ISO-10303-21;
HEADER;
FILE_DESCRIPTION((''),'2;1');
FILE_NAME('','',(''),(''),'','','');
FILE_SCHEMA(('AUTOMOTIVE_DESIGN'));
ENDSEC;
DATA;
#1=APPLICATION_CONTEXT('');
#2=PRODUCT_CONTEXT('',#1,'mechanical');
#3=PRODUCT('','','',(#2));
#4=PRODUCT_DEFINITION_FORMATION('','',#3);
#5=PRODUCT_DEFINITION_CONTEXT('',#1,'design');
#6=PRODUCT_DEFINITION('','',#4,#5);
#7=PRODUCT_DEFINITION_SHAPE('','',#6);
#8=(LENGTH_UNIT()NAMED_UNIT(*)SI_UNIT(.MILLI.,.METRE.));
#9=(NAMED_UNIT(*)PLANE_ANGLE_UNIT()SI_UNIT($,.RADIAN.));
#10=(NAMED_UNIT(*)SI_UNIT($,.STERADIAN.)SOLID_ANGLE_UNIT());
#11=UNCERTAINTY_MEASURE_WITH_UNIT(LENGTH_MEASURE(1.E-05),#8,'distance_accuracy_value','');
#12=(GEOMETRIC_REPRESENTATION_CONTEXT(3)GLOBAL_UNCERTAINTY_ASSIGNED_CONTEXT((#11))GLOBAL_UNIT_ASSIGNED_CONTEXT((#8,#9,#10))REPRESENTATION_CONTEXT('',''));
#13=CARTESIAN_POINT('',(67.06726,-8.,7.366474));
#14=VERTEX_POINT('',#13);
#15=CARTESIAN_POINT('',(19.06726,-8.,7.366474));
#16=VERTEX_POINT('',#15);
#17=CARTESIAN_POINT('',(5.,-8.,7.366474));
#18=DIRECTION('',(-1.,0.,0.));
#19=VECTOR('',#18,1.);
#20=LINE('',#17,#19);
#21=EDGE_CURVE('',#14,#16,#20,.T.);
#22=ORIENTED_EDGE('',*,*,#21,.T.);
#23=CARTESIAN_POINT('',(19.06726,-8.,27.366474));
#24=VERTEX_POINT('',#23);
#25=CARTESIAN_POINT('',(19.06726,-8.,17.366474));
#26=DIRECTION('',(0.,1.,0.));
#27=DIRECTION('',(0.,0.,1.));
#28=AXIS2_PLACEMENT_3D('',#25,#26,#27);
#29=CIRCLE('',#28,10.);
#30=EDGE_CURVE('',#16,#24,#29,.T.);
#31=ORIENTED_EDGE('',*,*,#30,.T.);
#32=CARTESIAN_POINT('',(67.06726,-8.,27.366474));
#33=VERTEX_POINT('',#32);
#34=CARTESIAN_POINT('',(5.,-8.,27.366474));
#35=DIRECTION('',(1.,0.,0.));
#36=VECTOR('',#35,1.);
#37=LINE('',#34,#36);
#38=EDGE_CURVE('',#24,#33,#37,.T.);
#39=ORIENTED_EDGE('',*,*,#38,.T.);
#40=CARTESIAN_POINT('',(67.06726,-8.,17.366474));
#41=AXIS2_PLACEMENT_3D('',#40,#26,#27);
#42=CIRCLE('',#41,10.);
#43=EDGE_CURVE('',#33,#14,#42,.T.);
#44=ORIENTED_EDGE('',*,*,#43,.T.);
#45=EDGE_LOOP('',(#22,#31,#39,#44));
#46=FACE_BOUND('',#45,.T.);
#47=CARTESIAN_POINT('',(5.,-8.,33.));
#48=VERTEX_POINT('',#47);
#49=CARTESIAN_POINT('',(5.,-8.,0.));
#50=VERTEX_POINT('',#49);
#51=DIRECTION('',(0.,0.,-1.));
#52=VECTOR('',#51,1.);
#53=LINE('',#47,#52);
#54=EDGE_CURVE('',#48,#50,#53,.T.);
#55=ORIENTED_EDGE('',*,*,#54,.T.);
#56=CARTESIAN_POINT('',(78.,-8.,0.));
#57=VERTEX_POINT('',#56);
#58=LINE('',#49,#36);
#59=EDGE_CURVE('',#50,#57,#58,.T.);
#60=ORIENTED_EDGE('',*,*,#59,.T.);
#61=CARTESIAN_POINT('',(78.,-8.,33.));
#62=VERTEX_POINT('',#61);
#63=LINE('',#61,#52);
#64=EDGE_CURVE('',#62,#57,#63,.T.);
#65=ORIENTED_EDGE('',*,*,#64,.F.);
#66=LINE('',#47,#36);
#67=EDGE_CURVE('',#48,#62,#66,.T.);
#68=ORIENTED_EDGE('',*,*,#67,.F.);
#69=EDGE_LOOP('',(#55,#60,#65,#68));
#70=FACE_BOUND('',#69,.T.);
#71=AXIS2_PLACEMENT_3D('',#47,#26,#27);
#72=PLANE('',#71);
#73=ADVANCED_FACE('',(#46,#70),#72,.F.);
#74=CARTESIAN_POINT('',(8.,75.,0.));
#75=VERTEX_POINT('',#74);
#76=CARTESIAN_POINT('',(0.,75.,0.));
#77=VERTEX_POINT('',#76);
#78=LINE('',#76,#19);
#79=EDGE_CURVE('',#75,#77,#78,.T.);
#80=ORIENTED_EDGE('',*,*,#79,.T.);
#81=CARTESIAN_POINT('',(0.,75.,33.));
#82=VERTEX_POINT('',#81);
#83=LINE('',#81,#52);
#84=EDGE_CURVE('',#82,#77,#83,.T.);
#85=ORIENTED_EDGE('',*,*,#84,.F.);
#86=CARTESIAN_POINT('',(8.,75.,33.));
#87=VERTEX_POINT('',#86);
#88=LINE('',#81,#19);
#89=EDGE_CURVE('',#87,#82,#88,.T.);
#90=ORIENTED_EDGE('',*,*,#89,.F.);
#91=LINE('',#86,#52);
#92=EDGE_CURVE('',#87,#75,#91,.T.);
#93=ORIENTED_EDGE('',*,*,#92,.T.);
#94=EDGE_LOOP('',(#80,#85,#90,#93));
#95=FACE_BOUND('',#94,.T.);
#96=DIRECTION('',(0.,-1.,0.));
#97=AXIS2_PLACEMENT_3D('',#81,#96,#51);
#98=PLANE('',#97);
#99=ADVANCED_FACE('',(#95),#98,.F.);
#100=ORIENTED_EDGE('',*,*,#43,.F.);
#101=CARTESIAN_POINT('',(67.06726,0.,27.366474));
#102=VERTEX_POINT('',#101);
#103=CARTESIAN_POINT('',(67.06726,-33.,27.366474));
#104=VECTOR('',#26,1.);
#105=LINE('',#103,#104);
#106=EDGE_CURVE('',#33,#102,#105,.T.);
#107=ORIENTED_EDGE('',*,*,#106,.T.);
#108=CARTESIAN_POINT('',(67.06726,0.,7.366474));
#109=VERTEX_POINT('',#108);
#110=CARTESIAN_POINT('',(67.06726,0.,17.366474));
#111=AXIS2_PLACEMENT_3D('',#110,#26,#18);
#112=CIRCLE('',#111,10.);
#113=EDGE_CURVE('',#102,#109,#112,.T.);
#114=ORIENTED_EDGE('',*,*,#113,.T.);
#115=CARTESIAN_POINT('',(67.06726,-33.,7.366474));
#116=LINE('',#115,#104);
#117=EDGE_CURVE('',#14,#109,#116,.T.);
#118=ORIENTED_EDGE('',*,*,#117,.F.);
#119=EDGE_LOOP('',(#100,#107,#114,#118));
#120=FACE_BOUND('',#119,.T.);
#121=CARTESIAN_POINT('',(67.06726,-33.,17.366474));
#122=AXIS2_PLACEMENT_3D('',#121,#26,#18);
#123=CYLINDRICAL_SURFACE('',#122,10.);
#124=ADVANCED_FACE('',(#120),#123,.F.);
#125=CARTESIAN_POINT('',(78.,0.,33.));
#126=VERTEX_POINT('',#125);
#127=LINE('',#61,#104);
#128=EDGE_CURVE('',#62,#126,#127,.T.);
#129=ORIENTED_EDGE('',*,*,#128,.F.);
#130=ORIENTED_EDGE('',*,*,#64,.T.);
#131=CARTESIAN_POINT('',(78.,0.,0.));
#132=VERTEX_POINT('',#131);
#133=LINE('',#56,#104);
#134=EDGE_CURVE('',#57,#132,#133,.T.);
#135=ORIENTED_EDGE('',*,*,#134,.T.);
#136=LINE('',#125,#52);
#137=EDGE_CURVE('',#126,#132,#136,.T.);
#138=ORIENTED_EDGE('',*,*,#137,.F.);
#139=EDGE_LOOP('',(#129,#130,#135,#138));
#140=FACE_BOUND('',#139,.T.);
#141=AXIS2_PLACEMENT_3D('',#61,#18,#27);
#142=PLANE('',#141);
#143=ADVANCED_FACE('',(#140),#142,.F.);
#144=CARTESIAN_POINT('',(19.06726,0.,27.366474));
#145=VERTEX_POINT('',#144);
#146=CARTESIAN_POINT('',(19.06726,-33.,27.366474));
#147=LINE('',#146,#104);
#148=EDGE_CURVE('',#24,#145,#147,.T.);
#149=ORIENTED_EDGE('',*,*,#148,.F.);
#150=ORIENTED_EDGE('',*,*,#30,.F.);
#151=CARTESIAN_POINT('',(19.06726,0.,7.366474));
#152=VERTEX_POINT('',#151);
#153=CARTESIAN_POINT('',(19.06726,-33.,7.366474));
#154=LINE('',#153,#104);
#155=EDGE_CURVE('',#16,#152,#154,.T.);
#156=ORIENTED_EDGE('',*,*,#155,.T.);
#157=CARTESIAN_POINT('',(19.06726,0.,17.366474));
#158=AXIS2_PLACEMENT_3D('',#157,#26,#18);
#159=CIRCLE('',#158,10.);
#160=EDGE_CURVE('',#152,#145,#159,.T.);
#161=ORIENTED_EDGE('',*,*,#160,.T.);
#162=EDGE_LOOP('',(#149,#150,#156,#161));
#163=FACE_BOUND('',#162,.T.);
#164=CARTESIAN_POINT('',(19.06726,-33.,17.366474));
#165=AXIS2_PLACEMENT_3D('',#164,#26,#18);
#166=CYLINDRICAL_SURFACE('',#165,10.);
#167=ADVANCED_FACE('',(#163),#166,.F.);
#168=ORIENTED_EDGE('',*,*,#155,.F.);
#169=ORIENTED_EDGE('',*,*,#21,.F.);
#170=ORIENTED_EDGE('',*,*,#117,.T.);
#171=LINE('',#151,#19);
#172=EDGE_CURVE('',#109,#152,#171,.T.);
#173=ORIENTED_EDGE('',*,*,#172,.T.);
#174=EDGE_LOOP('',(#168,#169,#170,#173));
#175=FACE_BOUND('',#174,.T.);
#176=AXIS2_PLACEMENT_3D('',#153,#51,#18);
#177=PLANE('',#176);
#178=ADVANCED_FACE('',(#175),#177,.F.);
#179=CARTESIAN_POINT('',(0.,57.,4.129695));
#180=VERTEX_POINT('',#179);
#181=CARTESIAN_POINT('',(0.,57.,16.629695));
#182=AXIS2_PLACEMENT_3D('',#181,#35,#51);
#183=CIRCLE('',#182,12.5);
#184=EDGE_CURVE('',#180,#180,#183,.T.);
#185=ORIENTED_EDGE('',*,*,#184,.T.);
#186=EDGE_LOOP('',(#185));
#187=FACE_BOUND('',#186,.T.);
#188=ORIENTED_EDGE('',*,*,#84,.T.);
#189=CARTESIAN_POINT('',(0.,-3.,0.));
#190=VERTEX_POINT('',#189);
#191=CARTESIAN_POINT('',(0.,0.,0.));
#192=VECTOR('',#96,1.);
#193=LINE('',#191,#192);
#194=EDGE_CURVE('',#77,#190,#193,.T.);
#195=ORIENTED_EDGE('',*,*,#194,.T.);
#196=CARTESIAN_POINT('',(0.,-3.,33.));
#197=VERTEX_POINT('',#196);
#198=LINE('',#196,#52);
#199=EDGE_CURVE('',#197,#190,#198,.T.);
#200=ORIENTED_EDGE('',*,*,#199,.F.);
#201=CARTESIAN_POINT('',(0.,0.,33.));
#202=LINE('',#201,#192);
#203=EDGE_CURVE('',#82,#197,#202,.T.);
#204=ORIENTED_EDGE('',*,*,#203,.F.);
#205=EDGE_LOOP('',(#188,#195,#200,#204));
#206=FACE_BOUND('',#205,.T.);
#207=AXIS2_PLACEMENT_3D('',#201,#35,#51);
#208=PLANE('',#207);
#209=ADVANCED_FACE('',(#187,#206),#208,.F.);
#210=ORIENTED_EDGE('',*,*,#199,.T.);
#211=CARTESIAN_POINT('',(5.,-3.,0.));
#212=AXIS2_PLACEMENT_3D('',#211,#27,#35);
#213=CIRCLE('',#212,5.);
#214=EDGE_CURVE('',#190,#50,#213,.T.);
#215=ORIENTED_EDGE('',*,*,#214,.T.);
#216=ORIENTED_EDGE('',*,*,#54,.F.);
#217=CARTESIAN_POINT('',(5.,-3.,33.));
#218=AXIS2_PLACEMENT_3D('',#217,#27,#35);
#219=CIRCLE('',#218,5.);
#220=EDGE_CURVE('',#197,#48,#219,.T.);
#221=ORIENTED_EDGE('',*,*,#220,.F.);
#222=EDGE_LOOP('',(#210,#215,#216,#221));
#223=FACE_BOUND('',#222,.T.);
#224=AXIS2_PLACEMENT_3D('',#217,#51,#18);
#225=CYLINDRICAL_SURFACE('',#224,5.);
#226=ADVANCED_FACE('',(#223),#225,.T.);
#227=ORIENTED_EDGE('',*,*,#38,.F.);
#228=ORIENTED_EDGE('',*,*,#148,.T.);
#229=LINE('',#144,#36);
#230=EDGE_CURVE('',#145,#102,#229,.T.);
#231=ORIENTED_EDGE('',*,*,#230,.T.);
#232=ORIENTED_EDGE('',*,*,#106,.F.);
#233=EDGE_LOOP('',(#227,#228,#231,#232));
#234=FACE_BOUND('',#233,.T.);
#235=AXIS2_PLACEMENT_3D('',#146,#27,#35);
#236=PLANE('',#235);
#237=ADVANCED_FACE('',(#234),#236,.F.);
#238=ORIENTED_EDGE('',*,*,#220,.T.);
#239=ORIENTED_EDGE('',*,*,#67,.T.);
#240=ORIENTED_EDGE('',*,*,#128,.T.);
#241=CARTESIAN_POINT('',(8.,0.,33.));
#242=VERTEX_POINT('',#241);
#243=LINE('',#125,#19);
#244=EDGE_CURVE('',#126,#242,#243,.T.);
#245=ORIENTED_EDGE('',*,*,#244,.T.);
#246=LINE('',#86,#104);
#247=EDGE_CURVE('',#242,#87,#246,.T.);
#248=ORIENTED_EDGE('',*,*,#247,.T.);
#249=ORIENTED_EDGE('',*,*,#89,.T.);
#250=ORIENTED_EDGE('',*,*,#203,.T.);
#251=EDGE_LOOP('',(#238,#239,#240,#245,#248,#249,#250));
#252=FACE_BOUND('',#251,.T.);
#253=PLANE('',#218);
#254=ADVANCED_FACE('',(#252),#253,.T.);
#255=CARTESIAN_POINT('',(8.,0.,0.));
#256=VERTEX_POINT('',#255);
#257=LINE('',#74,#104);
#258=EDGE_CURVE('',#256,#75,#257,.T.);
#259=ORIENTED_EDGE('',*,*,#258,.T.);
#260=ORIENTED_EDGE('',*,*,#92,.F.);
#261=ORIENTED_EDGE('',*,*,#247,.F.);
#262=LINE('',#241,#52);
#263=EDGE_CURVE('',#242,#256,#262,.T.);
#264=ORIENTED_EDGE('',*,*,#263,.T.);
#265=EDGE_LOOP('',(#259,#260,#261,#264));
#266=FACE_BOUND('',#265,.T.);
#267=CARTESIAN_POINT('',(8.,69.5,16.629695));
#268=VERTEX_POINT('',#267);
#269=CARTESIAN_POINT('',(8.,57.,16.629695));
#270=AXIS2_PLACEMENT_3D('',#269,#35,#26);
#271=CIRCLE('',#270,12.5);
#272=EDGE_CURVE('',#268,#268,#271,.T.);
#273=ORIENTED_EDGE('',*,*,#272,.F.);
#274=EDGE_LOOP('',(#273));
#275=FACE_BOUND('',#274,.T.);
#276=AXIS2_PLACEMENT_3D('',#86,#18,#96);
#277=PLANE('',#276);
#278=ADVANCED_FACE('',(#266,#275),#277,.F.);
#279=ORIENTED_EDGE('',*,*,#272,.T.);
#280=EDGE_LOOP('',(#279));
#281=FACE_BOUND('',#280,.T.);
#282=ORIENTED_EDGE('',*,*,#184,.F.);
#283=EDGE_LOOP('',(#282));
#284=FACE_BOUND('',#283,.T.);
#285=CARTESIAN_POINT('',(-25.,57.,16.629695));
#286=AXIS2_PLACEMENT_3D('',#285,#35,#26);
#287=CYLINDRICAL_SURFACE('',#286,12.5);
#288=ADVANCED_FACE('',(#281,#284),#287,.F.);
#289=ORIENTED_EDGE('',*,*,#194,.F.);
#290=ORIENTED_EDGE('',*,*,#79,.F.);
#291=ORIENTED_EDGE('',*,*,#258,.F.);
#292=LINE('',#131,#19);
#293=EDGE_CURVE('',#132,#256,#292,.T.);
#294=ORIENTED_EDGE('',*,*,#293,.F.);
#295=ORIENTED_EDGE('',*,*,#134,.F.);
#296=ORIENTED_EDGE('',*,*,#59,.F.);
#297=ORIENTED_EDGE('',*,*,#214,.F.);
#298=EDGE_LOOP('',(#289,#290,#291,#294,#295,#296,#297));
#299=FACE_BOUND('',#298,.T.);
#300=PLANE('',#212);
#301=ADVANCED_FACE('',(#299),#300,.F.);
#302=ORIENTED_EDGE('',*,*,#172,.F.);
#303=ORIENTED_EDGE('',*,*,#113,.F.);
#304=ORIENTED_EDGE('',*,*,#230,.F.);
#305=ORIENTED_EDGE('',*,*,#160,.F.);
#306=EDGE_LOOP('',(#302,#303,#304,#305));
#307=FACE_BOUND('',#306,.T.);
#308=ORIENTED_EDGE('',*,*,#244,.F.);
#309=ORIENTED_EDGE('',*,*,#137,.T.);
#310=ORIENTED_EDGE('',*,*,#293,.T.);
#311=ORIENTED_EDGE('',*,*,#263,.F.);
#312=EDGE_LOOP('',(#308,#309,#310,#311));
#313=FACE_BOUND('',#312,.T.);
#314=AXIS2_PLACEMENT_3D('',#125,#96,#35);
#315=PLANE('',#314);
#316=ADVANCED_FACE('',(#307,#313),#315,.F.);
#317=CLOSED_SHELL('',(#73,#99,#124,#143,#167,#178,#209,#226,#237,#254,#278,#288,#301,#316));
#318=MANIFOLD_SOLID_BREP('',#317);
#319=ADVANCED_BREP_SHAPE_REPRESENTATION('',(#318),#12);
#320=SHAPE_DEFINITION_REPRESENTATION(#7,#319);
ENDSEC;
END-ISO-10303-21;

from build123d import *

# Parameters (mm, degrees)
BOSS_EXTRUDE1_DEPTH = 33
SKETCH2_R           = 12.5
CUT_EXTRUDE2_DEPTH  = 33
CUT_EXTRUDE10_DEPTH = 33


with BuildPart() as part:
    # Sketch1 → Boss-Extrude1 (new body)
    with BuildSketch(Plane.XY):
        with BuildLine():
            Line((0, 0), (0, 75))
            Line((0, 75), (8, 75))
            Line((8, 75), (8, 0))
            Line((8, 0), (78, 0))
            Line((78, 0), (78, -8))
            Line((78, -8), (5, -8))
            ThreePointArc((5, -8), (1.464466094, -6.535533906), (0, -3))
            Line((0, -3), (0, 0))
        make_face()
    extrude(amount=BOSS_EXTRUDE1_DEPTH)

    # Sketch2 → Cut-Extrude2 (cut)
    with BuildSketch(Plane(origin=(8, 0, 0), x_dir=(0, 0, -1), z_dir=(1, 0, 0))):
        with Locations(Location((-16.629694818, 57, 0), (0, 0, 90))):
            Circle(SKETCH2_R)
    extrude(amount=-CUT_EXTRUDE2_DEPTH, mode=Mode.SUBTRACT)

    # Sketch3 → Cut-Extrude10 (cut)
    with BuildSketch(Plane(origin=(0, 0, 0), x_dir=(1, 0, 0), z_dir=(0, 1, 0))):
        with BuildLine():
            Line((19.067260463, -7.366474126), (67.067260463, -7.366474126))
            ThreePointArc((67.067260463, -7.366474126), (77.067260463, -17.366474126), (67.067260463, -27.366474126))
            Line((67.067260463, -27.366474126), (19.067259653, -27.366474126))
            ThreePointArc((19.067259653, -27.366474126), (9.067259653, -17.366473721), (19.067260463, -7.366474126))
        make_face()
    extrude(amount=-CUT_EXTRUDE10_DEPTH, mode=Mode.SUBTRACT)


solid = part.part
